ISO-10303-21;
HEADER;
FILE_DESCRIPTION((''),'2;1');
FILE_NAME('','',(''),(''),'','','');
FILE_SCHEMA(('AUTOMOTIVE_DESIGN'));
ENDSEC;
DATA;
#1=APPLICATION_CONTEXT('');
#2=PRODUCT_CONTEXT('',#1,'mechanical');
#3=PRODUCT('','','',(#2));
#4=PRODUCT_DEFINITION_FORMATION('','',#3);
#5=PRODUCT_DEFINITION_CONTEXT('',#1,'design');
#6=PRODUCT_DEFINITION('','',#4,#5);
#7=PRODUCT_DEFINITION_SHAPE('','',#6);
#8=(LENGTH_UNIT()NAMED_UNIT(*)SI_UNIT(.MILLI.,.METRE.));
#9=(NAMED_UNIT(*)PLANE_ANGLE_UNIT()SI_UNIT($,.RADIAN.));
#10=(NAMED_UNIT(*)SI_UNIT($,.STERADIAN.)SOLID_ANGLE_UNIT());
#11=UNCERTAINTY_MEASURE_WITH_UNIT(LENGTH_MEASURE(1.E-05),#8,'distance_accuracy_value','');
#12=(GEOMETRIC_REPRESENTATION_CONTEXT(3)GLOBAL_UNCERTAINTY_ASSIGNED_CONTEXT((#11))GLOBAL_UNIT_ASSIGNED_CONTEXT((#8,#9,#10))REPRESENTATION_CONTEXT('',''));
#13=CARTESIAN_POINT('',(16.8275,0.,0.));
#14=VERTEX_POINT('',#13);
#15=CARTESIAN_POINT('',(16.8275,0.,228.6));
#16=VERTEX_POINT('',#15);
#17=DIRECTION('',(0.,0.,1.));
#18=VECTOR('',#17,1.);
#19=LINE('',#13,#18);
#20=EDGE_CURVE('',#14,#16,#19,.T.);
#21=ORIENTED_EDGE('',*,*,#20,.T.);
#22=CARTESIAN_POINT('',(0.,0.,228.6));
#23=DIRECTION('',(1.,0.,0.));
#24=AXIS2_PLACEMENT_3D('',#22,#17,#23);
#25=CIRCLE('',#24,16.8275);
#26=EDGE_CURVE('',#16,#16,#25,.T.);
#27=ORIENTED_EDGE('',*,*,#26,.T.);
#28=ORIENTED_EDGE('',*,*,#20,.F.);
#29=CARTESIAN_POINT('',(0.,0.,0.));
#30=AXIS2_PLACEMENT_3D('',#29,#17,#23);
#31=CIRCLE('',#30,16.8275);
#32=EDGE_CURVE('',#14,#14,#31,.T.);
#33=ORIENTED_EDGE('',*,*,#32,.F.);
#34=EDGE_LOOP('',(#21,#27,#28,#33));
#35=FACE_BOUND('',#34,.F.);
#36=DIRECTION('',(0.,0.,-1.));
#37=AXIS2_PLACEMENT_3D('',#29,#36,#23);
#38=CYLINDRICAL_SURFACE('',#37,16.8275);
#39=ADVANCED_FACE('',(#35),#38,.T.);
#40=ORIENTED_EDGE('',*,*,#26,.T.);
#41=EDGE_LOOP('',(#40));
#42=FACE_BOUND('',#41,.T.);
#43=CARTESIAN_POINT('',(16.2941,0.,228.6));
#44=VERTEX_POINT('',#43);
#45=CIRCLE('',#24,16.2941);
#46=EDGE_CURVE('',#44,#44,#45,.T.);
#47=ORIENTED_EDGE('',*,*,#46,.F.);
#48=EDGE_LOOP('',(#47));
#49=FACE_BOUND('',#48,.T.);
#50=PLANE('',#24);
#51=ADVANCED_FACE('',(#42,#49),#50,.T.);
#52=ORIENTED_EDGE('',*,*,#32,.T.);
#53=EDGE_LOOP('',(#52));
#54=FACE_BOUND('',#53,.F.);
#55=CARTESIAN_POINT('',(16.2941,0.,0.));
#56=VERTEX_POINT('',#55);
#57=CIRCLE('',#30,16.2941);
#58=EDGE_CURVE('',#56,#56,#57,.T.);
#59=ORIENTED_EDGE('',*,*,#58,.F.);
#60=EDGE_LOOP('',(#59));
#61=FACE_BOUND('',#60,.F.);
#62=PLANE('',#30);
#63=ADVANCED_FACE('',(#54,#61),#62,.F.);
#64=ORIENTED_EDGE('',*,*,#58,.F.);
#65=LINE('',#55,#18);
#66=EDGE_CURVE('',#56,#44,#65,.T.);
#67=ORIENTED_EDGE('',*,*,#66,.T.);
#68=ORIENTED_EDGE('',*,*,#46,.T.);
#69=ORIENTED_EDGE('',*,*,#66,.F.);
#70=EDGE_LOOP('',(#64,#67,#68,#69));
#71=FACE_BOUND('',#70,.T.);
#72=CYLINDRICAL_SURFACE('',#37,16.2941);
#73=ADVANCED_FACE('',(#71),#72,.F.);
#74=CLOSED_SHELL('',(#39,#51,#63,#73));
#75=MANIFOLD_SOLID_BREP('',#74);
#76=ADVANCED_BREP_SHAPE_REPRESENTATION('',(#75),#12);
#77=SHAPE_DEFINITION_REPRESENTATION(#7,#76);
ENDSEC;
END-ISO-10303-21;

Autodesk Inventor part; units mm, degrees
ref_plane "YZ Plane" through (0, 0, 0) normal (1, 0, 0) x (0, 1, 0)
ref_plane "XZ Plane" through (0, 0, 0) normal (0, 1, 0) x (-1, 0, 0)
ref_plane "XY Plane" through (0, 0, 0) normal (0, 0, 1) x (1, 0, 0)
sketch "Sketch1" plane through (0, 0, 0) normal (0, 0, 1) x (1, 0, 0)
  circle A0 centre (0, 0) radius 16.8275
  circle A1 centre (0, 0) radius 16.2941
  dimension "d0" = 33.655
  dimension "d1" = 0.5334
extrude "Extrusion1" add sketch "Sketch1" along normal blind 228.6
properties part number "Motor Mount"
